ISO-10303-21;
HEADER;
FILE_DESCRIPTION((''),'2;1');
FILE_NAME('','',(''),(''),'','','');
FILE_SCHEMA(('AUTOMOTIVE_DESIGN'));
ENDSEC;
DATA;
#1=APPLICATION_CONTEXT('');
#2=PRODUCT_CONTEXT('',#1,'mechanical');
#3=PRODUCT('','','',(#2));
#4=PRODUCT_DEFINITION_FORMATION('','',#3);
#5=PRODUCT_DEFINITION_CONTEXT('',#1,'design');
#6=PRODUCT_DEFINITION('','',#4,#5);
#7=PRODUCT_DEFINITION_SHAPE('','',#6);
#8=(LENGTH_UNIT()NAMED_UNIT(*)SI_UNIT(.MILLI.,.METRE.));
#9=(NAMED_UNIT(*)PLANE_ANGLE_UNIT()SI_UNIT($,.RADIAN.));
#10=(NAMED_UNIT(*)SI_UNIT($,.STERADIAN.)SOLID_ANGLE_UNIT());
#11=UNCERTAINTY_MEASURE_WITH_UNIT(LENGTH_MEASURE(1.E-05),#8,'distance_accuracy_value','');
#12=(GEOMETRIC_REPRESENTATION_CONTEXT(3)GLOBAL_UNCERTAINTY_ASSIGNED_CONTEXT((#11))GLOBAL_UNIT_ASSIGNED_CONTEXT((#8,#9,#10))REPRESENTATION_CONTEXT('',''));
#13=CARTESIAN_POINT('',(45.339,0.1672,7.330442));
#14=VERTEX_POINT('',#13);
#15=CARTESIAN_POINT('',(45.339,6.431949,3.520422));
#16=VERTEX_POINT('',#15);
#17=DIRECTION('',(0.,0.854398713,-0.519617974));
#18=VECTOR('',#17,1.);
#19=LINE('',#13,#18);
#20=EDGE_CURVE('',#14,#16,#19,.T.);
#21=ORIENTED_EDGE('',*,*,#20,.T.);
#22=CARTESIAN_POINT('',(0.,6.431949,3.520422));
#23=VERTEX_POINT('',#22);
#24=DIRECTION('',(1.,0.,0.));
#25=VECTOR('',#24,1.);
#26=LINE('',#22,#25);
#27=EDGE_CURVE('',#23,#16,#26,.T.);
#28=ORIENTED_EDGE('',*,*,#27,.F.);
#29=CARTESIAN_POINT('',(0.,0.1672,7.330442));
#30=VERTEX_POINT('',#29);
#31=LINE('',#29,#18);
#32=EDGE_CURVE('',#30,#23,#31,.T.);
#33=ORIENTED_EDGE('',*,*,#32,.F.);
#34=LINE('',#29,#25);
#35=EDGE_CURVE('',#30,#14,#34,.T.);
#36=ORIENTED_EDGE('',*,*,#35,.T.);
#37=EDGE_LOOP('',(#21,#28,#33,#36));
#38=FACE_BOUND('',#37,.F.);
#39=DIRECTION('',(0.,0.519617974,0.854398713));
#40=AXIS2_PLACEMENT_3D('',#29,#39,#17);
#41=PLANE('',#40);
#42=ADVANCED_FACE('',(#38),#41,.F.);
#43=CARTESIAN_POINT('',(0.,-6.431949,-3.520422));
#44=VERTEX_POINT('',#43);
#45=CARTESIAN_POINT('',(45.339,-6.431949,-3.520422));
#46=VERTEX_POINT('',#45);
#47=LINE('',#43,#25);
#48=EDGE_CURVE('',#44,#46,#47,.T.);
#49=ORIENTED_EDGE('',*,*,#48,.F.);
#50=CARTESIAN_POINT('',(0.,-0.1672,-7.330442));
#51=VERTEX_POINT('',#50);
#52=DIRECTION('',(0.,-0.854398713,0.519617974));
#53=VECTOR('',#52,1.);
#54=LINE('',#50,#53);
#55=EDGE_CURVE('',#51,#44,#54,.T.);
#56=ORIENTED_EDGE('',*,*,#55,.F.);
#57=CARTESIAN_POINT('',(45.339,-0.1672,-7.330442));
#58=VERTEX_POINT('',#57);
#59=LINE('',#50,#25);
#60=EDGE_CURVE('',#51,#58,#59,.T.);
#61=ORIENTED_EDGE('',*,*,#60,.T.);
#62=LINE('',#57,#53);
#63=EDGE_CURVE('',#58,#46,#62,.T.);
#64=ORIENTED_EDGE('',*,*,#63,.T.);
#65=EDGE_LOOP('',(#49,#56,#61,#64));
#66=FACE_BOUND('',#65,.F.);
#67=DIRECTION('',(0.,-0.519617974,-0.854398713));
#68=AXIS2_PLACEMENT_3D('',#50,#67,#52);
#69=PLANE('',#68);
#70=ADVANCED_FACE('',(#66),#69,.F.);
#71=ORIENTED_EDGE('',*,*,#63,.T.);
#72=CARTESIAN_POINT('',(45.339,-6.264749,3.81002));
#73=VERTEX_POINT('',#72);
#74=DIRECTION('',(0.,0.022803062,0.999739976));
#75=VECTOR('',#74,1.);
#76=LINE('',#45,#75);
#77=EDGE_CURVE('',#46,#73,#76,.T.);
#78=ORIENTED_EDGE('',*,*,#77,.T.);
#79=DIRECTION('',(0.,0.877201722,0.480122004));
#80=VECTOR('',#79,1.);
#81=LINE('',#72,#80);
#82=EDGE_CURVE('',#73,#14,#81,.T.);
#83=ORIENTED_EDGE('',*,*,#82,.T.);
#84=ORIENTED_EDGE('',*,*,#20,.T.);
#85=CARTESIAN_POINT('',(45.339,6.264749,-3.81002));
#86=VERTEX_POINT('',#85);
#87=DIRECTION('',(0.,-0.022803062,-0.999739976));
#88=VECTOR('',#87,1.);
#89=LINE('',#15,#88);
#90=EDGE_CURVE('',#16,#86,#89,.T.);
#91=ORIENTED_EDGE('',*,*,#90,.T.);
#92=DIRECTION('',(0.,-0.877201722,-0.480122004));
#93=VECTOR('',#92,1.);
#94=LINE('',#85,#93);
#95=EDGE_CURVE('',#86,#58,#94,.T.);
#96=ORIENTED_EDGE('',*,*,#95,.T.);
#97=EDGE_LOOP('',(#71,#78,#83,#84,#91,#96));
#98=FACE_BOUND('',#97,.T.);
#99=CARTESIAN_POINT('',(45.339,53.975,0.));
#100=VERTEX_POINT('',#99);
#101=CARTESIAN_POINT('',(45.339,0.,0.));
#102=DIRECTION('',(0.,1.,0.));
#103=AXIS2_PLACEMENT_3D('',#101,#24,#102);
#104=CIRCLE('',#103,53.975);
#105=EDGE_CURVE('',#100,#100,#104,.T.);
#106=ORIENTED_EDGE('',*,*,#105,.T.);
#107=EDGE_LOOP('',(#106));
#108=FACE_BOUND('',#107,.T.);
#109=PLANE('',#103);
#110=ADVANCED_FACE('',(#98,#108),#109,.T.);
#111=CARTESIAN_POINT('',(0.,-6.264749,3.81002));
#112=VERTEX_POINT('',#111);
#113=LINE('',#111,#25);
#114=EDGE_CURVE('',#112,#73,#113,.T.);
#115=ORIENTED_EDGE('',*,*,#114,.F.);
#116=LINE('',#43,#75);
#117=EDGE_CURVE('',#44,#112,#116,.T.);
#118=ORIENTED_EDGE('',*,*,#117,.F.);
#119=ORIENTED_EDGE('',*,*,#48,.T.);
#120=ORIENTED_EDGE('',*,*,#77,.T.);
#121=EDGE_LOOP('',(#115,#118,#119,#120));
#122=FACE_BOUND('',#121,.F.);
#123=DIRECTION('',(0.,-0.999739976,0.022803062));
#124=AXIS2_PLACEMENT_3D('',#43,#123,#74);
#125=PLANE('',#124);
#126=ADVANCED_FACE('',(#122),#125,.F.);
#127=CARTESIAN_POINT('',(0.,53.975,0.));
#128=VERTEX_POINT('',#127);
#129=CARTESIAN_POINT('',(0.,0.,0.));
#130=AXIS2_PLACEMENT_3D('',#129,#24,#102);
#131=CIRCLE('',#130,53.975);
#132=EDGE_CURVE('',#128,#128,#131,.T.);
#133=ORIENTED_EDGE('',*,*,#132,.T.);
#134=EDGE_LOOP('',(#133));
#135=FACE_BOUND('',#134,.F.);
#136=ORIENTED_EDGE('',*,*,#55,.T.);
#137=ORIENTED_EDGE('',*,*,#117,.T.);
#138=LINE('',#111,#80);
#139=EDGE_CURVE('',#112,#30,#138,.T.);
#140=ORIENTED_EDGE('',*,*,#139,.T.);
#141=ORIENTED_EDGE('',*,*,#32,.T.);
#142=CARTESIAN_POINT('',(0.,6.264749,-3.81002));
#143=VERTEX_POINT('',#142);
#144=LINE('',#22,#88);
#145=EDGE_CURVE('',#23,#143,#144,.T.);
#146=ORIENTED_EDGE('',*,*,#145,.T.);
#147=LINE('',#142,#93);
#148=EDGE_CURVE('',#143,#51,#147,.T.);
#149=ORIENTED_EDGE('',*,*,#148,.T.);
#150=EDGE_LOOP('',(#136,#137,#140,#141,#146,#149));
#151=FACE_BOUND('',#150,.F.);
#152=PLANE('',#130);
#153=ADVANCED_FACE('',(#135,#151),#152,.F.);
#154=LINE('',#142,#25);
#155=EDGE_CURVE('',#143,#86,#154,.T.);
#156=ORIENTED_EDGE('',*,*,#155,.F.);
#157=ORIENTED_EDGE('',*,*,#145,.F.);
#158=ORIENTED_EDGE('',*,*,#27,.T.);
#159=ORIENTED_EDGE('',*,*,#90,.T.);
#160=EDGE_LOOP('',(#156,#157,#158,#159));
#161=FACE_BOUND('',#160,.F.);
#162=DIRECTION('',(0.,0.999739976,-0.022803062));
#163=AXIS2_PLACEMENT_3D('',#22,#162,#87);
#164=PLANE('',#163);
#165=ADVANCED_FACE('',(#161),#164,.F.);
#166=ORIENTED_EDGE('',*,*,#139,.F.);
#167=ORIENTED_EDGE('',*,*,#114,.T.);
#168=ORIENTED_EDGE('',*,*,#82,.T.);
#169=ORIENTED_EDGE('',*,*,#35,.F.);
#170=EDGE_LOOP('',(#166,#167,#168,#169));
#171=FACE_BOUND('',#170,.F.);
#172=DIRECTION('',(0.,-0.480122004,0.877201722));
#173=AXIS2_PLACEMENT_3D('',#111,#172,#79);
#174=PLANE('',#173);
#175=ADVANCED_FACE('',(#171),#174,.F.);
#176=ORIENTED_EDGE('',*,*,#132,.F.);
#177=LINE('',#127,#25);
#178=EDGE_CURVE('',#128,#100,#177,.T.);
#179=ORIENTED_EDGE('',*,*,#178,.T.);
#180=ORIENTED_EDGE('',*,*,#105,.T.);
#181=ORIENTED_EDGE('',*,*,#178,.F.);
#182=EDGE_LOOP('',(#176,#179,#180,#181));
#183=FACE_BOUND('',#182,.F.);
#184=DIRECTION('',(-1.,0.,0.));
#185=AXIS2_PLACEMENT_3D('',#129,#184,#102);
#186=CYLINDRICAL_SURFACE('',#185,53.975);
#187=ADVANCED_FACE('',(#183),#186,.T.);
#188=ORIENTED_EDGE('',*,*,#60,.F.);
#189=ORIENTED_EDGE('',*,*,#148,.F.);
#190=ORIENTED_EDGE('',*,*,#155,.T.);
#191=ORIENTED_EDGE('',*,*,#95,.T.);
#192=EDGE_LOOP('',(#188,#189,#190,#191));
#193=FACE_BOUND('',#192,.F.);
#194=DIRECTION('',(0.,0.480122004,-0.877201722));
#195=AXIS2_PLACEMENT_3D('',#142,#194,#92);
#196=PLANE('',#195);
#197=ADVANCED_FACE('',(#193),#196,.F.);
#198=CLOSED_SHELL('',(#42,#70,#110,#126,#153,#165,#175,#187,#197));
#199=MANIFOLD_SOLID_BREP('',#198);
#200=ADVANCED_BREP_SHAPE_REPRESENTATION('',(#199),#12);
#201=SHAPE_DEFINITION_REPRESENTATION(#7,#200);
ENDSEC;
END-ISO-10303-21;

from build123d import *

# Parameters (mm, degrees)
F0_R     = 53.975
F1_DEPTH = 45.339


with BuildPart() as f1:
    # F0 (on Right) → F1 (new body)
    with BuildSketch(Plane.YZ):
        Circle(F0_R)
        Polygon((-6.264749, 3.81002), (0.1672, 7.330442), (6.431949, 3.520422), (6.264749, -3.81002), (-0.1672, -7.330442), (-6.431949, -3.520422), align=None, mode=Mode.SUBTRACT)
    extrude(amount=F1_DEPTH)


solid = f1.part
